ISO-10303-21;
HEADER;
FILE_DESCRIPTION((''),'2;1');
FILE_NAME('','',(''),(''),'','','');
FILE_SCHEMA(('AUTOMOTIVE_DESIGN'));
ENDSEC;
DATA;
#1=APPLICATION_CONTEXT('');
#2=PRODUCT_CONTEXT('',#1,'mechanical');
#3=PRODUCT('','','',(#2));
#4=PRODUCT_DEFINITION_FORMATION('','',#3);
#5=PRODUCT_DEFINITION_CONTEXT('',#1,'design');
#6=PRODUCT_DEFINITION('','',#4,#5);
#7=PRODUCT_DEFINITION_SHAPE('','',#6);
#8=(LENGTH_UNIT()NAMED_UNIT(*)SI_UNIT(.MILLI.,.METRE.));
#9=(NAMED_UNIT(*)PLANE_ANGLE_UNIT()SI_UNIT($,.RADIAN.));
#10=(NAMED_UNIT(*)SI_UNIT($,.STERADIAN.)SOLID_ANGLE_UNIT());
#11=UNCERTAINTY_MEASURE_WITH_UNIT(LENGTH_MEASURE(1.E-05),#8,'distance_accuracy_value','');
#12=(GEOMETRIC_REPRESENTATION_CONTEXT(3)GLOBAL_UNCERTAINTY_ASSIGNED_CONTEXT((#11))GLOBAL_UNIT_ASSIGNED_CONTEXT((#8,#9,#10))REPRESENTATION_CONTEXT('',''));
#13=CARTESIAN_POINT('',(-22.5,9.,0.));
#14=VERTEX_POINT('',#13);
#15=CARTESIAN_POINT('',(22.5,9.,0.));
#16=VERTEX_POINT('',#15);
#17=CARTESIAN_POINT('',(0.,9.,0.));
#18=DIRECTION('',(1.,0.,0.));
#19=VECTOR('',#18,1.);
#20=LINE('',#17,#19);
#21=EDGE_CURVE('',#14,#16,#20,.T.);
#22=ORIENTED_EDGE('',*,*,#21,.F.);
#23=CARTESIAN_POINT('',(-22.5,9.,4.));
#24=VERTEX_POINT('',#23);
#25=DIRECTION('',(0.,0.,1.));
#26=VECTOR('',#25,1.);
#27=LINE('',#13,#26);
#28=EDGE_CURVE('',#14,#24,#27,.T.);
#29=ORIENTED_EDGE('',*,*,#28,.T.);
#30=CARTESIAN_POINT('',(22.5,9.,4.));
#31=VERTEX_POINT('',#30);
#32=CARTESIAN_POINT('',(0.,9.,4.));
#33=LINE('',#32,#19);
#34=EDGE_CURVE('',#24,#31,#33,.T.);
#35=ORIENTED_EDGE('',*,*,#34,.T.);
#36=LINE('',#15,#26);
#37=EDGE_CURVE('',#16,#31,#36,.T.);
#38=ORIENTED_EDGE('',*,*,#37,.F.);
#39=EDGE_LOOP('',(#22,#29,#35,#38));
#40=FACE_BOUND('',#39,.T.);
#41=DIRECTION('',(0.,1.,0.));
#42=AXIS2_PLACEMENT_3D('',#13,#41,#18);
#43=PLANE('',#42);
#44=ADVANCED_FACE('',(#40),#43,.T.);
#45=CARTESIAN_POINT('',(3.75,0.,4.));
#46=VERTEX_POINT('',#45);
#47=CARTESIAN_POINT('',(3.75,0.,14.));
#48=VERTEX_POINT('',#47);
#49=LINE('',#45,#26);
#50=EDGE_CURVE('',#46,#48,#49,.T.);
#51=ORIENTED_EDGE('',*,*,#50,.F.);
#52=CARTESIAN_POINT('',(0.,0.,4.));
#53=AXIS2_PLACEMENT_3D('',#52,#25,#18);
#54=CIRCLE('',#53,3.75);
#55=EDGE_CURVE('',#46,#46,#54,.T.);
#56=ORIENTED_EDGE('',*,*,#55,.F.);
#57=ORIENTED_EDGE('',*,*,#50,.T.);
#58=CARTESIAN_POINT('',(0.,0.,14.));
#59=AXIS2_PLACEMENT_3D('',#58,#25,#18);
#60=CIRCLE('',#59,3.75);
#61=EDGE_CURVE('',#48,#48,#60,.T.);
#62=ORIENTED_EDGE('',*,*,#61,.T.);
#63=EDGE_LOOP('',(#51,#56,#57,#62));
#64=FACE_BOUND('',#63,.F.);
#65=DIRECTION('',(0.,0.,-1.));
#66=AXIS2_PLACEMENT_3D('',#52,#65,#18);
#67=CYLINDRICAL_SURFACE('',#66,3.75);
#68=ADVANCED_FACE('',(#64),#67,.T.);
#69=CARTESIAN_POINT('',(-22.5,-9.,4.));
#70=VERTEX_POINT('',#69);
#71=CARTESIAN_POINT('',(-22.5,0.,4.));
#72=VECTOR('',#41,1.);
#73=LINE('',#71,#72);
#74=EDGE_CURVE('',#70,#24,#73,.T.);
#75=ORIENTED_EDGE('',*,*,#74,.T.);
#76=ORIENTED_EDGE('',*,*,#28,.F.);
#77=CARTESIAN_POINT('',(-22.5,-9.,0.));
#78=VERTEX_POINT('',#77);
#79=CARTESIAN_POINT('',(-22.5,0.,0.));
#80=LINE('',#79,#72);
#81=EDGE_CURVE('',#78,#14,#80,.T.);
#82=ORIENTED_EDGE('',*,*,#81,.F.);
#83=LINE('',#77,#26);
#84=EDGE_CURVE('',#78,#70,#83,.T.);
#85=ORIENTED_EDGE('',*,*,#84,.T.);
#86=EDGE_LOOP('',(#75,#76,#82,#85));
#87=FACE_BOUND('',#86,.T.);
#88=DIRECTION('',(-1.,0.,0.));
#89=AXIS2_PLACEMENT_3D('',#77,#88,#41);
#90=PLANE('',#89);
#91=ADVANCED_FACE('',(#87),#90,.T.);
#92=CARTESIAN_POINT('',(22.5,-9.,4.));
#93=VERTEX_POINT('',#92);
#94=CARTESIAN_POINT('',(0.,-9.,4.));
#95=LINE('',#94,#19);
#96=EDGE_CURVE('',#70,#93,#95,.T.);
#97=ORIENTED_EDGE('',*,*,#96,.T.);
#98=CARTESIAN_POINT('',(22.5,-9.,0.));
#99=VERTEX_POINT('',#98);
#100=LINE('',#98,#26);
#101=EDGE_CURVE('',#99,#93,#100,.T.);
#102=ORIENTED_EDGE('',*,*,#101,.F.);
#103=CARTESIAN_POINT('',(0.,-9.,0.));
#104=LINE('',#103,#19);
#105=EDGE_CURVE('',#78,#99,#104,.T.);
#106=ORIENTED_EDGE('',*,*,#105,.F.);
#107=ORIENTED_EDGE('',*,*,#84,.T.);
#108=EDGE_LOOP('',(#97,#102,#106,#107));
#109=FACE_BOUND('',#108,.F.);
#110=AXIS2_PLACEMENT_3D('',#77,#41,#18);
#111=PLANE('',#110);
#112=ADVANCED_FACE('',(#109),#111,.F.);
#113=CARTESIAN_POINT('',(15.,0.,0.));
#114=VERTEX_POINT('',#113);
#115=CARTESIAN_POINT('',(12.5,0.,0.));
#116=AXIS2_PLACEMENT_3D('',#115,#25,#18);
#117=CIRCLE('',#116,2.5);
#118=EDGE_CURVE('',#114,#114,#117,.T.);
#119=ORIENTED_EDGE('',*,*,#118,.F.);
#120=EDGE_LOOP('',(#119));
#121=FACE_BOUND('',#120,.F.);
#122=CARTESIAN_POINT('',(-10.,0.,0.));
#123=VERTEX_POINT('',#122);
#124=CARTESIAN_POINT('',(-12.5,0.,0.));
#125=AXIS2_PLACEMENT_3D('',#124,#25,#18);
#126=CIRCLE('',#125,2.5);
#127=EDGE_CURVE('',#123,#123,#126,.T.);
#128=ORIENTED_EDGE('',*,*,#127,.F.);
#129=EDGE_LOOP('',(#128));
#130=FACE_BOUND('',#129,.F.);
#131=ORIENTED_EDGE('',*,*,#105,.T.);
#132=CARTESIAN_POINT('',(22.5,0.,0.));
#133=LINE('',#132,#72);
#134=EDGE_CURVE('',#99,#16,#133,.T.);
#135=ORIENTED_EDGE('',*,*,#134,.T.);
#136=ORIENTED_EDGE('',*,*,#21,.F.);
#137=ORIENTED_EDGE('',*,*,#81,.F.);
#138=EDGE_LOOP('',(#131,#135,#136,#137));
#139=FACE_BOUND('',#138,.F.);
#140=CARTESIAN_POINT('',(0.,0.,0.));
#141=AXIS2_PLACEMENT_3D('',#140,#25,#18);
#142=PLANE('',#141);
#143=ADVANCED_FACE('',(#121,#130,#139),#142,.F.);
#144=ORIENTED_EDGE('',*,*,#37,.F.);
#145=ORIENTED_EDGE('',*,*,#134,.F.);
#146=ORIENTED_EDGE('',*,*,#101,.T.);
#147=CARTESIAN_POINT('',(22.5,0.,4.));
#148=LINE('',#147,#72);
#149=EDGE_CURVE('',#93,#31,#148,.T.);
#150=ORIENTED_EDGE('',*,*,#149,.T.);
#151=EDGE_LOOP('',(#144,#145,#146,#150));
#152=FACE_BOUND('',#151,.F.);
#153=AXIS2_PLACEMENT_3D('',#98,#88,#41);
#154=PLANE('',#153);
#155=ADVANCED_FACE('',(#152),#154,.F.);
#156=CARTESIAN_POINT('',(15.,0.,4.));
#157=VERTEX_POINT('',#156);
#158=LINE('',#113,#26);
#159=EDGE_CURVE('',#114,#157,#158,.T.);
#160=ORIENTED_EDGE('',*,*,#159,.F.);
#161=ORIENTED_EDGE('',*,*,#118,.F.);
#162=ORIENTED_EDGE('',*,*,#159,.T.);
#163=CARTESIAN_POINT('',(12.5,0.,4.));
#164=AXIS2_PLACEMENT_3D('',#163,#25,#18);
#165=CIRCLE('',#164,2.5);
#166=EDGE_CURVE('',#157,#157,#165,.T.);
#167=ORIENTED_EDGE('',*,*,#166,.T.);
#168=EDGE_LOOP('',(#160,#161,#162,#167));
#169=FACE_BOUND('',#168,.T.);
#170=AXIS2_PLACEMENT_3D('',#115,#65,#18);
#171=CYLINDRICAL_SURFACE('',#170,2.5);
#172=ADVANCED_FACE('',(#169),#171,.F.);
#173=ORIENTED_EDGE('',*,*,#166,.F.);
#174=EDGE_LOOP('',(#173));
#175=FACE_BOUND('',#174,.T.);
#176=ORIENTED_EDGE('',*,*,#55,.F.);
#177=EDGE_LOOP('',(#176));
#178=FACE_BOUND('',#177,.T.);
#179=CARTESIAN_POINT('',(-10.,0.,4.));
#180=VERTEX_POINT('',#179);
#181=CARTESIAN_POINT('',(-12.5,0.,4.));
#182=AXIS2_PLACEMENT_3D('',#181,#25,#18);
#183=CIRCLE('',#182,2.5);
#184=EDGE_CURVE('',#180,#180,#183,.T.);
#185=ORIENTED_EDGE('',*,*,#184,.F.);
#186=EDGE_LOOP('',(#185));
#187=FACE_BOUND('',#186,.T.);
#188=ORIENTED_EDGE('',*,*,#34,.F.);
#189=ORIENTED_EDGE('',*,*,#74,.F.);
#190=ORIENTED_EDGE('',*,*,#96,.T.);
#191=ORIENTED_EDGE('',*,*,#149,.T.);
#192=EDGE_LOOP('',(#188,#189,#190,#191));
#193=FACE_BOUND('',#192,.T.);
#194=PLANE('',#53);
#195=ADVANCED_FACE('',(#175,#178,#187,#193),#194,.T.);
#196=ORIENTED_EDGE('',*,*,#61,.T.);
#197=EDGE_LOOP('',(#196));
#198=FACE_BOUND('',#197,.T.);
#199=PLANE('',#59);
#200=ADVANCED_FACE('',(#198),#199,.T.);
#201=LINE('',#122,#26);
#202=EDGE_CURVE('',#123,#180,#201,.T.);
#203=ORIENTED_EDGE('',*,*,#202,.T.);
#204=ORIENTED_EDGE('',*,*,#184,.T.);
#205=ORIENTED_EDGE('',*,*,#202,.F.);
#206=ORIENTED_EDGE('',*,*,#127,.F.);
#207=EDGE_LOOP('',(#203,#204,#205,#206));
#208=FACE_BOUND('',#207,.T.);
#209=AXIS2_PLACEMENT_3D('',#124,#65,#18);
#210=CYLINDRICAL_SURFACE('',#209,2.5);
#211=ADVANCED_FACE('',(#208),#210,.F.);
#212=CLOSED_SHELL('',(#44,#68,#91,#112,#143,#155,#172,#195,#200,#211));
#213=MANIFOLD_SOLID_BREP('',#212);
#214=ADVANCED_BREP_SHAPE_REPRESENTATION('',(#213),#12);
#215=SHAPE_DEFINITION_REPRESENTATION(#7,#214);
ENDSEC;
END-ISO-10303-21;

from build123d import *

# Parameters (mm, degrees)
F0_W     = 45
F0_H     = 18
F0_R     = 2.5
F1_DEPTH = 4
F2_R     = 3.75
F3_DEPTH = 10


with BuildPart() as f1:
    # F0 (on Top) → F1 (new body)
    with BuildSketch(Plane.XY):
        Rectangle(F0_W, F0_H)
        with Locations((-12.5, 0)):
            Circle(F0_R, mode=Mode.SUBTRACT)
        with Locations((12.5, 0)):
            Circle(F0_R, mode=Mode.SUBTRACT)
    extrude(amount=F1_DEPTH)

    # F2 (on face) → F3 (join)
    with BuildSketch(Plane.XY.offset(4)):
        Circle(F2_R)
    extrude(amount=F3_DEPTH)


solid = f1.part
